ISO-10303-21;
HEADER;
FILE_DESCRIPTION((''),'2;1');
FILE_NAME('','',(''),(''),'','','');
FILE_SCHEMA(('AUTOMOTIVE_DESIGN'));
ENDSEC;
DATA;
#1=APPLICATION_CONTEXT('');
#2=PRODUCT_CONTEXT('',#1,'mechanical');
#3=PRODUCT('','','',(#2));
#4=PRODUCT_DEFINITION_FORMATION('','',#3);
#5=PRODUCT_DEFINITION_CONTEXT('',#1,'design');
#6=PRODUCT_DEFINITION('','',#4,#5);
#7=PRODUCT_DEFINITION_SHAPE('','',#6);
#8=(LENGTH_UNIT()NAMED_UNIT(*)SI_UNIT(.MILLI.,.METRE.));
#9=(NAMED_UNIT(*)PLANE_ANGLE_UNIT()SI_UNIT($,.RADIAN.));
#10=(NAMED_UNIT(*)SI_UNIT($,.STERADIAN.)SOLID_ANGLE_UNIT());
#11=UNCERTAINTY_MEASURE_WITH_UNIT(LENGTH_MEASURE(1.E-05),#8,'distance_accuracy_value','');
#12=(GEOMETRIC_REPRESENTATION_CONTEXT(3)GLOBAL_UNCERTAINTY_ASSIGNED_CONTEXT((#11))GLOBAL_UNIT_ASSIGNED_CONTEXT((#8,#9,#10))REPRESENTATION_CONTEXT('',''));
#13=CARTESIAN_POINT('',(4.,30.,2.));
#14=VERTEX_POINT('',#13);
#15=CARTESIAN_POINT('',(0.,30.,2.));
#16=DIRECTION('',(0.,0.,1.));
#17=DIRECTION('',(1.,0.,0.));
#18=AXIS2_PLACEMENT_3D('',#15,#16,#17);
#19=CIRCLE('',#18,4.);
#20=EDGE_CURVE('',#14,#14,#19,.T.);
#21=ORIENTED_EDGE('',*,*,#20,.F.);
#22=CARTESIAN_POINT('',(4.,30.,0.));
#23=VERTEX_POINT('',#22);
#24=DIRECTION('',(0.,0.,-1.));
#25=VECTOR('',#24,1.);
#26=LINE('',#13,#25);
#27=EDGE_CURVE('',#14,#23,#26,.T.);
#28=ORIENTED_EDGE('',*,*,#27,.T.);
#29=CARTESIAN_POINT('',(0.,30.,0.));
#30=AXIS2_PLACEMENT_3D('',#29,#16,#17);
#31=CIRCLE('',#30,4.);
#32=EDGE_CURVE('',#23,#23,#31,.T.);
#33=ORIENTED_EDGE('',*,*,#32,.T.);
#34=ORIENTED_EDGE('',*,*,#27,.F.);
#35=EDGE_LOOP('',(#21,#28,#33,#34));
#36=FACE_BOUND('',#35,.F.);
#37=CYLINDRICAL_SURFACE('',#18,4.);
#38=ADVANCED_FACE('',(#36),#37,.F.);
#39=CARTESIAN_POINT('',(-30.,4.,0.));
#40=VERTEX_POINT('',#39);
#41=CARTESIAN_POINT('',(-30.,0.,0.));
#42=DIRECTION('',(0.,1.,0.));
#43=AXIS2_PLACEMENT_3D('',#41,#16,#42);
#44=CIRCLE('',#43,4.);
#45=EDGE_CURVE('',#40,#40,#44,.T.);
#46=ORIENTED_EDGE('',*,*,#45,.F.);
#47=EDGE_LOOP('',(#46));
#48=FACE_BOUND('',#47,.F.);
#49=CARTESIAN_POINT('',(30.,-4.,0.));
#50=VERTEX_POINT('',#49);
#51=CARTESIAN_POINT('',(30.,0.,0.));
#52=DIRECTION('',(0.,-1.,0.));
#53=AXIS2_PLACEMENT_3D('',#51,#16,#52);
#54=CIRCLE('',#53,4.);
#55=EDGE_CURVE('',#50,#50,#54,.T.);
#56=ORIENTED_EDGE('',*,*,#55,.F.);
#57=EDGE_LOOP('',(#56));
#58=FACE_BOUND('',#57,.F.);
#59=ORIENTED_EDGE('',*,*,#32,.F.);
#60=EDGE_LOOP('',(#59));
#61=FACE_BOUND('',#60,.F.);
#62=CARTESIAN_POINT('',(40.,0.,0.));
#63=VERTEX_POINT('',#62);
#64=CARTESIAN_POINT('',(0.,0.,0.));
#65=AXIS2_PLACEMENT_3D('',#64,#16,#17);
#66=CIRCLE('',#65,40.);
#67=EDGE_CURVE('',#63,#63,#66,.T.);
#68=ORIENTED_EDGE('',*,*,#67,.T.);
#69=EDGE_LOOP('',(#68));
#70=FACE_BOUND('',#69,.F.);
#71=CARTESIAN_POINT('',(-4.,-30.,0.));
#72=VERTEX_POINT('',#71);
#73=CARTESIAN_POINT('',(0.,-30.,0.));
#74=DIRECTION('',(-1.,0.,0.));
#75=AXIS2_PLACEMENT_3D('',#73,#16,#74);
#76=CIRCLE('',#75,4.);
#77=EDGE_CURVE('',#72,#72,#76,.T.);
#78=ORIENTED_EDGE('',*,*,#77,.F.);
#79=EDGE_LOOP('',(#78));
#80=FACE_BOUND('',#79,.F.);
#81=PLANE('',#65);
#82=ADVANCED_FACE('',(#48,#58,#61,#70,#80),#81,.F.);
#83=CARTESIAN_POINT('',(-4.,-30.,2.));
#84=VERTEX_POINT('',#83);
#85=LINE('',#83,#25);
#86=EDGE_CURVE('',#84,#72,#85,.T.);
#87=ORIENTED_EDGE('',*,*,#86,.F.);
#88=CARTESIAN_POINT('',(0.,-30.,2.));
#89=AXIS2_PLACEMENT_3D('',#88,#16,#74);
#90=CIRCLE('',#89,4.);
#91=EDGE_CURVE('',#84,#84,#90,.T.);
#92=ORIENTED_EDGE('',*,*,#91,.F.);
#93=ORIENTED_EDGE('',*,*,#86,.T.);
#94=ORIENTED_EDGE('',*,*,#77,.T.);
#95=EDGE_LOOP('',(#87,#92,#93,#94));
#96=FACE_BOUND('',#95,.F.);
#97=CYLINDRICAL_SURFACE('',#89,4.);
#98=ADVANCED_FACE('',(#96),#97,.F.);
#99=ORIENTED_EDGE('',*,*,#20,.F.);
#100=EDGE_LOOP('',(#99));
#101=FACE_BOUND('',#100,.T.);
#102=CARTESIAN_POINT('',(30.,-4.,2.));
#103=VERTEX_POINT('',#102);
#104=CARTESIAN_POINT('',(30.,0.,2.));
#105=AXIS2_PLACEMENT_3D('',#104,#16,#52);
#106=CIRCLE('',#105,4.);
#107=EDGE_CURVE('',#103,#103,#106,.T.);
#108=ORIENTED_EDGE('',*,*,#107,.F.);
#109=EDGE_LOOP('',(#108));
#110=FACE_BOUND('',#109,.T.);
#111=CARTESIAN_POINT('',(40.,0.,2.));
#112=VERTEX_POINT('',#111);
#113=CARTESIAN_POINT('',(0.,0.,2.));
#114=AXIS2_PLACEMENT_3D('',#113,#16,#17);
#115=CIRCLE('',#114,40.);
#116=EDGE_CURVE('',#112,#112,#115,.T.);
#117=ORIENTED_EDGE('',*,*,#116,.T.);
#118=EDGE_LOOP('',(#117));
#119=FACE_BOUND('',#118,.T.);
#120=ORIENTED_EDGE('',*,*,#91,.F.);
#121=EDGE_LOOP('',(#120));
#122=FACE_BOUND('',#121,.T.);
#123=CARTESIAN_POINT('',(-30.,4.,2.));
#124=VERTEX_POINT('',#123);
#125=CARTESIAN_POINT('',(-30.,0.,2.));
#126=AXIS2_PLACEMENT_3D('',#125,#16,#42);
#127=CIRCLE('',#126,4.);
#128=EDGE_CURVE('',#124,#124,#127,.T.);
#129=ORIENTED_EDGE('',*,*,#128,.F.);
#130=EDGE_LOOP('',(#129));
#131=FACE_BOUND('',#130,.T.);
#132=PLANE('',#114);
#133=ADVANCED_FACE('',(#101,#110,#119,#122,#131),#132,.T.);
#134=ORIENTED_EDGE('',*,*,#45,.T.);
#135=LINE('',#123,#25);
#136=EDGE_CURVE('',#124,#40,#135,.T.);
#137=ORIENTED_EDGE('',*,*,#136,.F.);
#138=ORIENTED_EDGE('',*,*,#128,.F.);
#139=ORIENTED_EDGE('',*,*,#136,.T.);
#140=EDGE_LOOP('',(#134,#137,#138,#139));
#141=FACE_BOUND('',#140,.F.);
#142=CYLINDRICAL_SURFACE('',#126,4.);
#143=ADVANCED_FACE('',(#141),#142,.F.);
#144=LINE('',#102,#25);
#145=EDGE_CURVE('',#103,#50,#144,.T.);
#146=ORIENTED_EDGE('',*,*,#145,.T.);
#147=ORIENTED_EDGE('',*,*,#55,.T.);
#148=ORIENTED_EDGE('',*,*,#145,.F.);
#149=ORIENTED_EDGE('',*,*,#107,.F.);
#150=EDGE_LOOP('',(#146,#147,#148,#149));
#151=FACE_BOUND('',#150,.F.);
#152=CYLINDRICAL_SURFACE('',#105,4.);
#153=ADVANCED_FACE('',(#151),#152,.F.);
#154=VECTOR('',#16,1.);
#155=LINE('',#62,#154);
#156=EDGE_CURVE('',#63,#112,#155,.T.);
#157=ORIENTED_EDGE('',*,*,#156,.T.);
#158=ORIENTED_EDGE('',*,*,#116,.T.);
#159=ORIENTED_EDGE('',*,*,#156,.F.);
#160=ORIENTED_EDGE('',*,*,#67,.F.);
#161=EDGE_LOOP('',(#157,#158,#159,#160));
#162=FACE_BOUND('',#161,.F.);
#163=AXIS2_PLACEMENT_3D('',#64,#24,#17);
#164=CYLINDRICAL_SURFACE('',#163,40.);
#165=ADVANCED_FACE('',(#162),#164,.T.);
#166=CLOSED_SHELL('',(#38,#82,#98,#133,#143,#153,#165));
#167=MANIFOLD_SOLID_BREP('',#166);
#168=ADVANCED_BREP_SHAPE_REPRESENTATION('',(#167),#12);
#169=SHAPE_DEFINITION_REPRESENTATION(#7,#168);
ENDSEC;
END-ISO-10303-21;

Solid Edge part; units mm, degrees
sketch "Sketch1" plane through (0, 0, 0) normal (0, 0, 1) x (1, 0, 0)
  circle A0 centre (0, 0) radius 40
  dimension "D1" = 80
extrude "Protrusion1" add sketch "Sketch1" along normal blind 2
sketch "Sketch2" plane through (0, 0, 2) normal (0, 0, 1) x (1, 0, 0)
  circle A0 centre (0, 30) radius 4
  dimension "D1" = 8
  dimension "D2" = 30
extrude "Cutout1" cut sketch "Sketch2" against normal up to next
pattern_circular "Pattern1" count 4 over 360 about axis through (0, 0, 2) along (0, 0, 1) of "Cutout1"
